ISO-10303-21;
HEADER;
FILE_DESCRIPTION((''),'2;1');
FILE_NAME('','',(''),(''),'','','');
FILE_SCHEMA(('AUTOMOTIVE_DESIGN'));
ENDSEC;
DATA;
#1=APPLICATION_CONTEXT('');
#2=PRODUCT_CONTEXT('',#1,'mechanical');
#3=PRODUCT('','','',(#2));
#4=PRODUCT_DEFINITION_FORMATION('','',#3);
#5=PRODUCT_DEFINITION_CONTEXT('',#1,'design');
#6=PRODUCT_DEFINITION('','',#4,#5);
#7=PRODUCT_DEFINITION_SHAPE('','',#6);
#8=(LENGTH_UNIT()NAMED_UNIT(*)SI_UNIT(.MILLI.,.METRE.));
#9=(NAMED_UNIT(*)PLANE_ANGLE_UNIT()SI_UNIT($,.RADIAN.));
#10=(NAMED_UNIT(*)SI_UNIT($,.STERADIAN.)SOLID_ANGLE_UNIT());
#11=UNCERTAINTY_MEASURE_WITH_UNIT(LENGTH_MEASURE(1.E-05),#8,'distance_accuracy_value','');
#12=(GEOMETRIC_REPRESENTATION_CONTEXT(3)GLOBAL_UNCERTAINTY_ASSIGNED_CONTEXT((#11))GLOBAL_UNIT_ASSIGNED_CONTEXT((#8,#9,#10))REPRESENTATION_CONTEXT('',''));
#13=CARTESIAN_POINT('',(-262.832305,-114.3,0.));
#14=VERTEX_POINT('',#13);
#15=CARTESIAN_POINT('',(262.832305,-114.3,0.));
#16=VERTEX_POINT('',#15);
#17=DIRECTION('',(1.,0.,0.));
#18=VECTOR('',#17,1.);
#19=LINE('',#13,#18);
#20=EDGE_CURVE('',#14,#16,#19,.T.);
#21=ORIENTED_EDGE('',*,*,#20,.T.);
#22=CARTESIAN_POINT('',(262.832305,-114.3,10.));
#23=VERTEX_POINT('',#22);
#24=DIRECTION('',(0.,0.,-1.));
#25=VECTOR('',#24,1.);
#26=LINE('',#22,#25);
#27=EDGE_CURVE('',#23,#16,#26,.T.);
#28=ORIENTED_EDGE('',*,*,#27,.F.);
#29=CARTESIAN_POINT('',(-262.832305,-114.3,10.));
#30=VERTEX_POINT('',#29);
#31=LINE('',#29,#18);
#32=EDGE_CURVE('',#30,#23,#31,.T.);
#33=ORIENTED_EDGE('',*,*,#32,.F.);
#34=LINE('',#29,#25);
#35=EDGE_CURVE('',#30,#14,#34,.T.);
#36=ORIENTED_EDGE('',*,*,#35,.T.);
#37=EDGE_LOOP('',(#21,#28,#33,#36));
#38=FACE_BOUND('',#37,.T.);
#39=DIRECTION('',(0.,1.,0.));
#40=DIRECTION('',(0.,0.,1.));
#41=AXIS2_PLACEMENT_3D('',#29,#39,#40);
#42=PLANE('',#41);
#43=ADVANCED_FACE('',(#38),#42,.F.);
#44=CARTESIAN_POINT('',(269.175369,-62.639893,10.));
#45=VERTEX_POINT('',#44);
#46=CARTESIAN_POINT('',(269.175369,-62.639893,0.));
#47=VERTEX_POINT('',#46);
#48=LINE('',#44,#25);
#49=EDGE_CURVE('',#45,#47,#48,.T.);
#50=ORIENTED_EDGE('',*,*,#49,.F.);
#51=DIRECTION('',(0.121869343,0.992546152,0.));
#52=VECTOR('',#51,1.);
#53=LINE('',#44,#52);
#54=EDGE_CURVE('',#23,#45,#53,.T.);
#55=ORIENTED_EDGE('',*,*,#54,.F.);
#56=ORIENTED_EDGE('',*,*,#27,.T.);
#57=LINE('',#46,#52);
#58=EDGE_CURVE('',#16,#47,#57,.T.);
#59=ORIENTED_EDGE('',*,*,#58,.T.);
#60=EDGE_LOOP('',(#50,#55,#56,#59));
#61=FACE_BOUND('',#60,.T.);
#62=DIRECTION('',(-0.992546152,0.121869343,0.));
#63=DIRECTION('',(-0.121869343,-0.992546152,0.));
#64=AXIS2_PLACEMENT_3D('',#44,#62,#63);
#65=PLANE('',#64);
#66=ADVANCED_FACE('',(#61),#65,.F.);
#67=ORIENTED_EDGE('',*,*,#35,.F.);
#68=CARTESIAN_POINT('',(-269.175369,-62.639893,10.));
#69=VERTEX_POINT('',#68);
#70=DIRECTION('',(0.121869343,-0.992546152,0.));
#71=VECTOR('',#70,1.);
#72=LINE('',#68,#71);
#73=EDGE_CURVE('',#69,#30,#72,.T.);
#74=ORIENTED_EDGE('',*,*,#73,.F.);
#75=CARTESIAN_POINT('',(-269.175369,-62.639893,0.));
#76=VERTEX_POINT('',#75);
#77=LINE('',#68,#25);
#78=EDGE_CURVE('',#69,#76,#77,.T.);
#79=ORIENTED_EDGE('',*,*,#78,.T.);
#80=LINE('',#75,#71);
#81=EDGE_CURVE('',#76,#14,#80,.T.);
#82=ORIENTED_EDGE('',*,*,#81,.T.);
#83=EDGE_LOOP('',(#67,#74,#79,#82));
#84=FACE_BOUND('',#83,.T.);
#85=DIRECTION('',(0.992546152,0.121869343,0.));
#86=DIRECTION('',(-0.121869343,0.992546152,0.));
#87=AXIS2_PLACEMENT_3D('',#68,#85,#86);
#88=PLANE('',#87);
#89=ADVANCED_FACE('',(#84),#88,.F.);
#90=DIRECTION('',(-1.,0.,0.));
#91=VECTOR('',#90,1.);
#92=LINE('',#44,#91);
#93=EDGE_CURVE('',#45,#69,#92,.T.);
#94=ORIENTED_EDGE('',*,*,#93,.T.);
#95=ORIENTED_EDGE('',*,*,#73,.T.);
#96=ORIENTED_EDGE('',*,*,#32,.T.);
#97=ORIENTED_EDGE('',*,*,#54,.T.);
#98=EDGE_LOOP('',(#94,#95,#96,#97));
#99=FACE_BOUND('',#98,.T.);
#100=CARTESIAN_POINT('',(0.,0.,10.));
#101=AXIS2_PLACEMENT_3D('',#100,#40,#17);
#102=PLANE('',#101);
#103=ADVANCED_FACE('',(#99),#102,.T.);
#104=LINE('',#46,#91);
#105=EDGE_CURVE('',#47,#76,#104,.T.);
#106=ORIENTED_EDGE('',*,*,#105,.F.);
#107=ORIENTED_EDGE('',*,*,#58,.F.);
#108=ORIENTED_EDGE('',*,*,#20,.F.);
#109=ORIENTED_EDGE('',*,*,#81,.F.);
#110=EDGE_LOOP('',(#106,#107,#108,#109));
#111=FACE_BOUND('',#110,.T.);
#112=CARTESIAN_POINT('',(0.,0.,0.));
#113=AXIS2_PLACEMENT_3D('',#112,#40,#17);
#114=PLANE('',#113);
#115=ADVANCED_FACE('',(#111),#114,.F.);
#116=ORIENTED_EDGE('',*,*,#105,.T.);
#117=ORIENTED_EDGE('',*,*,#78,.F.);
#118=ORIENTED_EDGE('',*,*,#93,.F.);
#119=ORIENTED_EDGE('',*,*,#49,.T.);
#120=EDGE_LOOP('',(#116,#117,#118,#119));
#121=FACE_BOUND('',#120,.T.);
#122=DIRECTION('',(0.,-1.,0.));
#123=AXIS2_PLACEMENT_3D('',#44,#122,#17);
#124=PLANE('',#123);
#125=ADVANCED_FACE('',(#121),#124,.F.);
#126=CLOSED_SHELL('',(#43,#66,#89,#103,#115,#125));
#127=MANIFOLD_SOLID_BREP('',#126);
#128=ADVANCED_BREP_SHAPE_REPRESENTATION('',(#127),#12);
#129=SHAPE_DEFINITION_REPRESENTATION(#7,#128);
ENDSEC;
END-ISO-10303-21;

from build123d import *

# Parameters (mm, degrees)
BOSS_EXTRUDE1_DEPTH = 10


with BuildPart() as part:
    # Sketch1 → Boss-Extrude1 (new body)
    with BuildSketch(Plane.XY):
        Polygon((-269.175368733, -62.63989261), (-262.832305131, -114.3), (262.832305131, -114.3), (269.175368733, -62.63989261), align=None)
    extrude(amount=BOSS_EXTRUDE1_DEPTH)


solid = part.part
